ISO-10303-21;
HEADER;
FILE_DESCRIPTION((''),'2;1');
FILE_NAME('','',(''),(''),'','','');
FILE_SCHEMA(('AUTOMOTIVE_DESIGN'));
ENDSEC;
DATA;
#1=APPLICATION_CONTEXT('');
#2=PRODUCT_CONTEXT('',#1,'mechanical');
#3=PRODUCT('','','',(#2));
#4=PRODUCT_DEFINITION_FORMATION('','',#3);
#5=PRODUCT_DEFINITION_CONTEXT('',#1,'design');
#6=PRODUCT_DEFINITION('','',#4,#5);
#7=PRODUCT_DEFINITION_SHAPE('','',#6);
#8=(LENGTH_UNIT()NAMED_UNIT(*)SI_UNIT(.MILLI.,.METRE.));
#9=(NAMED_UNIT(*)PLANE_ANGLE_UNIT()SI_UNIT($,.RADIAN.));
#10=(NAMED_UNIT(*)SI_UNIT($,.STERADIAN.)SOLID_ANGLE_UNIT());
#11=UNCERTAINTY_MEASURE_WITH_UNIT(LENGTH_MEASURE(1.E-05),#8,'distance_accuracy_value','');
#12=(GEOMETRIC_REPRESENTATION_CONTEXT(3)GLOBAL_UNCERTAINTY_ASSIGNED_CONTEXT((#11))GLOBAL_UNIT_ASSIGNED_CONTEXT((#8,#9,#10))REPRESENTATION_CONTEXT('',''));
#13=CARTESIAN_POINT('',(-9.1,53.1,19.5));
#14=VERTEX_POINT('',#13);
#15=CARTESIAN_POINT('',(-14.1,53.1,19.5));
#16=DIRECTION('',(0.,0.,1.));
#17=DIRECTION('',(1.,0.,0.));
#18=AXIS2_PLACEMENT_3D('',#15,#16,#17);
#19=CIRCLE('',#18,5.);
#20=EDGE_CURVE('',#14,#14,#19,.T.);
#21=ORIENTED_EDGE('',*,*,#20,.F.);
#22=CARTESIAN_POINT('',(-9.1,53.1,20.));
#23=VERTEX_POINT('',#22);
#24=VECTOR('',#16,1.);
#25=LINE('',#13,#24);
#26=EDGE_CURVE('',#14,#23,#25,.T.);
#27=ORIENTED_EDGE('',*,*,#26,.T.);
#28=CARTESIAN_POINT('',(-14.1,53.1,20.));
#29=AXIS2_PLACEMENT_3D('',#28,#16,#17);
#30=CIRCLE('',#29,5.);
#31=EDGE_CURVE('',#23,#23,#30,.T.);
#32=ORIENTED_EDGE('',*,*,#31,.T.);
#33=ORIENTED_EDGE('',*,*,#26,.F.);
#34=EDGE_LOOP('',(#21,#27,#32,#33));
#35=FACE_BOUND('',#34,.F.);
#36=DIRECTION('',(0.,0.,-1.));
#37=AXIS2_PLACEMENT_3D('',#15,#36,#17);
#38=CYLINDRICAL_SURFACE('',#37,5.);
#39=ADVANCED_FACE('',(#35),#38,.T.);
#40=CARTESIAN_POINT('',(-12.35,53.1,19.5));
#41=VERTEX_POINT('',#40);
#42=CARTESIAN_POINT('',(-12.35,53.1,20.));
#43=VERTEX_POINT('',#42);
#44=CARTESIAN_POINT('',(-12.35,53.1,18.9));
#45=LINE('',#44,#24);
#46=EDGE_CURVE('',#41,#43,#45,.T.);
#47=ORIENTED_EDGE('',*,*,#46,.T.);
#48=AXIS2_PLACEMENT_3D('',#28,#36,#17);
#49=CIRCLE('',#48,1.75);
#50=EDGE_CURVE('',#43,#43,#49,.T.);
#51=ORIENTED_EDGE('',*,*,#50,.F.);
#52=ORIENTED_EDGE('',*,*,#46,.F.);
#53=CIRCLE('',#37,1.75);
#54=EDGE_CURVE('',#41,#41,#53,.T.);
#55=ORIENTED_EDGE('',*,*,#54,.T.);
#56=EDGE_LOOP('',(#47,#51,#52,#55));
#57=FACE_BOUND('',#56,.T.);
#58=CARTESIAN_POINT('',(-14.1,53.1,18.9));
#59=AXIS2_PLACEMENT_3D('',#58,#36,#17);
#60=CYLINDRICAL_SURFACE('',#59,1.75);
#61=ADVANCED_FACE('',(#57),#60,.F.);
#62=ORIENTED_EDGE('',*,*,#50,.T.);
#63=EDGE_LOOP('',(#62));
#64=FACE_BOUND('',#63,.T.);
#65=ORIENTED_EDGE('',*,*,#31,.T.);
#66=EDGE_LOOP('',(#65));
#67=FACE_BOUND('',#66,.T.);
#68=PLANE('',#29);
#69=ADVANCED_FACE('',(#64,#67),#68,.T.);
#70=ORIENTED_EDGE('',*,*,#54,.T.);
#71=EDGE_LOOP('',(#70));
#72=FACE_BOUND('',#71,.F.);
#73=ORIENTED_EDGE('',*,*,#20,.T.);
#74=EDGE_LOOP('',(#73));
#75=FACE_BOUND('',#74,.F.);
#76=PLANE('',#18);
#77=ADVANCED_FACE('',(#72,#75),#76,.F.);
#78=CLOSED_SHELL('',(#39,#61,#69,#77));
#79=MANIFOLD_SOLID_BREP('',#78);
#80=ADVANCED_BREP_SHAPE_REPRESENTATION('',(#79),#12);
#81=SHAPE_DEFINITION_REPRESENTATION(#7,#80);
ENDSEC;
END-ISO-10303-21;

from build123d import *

# Parameters (mm, degrees)
CYLINDER008_R     = 1.75
CYLINDER008_DEPTH = 1.5
CYLINDER009_R     = 5
CYLINDER009_DEPTH = 0.5


with BuildPart() as vaciado_tope004:
    # Cylinder008 → Cylinder008 (new body)
    with BuildSketch(Plane(origin=(-29.1, 53.1, 24.6), x_dir=(1, 0, 0), z_dir=(0, 0, 1))):
        Circle(CYLINDER008_R)
    extrude(amount=CYLINDER008_DEPTH)


with BuildPart() as arandela001:
    # Cylinder009 → Cylinder009 (new body)
    with BuildSketch(Plane(origin=(-29.1, 53.1, 25.2), x_dir=(1, 0, 0), z_dir=(0, 0, 1))):
        Circle(CYLINDER009_R)
    extrude(amount=CYLINDER009_DEPTH)

    # Cut004: cut vaciado tope004
    add(vaciado_tope004.part, mode=Mode.SUBTRACT)


with BuildPart() as arandela001_1:
    # Cut004 placement: moved
    add(arandela001.part.moved(Location((15, 0, -5.7))))


solid = arandela001_1.part
